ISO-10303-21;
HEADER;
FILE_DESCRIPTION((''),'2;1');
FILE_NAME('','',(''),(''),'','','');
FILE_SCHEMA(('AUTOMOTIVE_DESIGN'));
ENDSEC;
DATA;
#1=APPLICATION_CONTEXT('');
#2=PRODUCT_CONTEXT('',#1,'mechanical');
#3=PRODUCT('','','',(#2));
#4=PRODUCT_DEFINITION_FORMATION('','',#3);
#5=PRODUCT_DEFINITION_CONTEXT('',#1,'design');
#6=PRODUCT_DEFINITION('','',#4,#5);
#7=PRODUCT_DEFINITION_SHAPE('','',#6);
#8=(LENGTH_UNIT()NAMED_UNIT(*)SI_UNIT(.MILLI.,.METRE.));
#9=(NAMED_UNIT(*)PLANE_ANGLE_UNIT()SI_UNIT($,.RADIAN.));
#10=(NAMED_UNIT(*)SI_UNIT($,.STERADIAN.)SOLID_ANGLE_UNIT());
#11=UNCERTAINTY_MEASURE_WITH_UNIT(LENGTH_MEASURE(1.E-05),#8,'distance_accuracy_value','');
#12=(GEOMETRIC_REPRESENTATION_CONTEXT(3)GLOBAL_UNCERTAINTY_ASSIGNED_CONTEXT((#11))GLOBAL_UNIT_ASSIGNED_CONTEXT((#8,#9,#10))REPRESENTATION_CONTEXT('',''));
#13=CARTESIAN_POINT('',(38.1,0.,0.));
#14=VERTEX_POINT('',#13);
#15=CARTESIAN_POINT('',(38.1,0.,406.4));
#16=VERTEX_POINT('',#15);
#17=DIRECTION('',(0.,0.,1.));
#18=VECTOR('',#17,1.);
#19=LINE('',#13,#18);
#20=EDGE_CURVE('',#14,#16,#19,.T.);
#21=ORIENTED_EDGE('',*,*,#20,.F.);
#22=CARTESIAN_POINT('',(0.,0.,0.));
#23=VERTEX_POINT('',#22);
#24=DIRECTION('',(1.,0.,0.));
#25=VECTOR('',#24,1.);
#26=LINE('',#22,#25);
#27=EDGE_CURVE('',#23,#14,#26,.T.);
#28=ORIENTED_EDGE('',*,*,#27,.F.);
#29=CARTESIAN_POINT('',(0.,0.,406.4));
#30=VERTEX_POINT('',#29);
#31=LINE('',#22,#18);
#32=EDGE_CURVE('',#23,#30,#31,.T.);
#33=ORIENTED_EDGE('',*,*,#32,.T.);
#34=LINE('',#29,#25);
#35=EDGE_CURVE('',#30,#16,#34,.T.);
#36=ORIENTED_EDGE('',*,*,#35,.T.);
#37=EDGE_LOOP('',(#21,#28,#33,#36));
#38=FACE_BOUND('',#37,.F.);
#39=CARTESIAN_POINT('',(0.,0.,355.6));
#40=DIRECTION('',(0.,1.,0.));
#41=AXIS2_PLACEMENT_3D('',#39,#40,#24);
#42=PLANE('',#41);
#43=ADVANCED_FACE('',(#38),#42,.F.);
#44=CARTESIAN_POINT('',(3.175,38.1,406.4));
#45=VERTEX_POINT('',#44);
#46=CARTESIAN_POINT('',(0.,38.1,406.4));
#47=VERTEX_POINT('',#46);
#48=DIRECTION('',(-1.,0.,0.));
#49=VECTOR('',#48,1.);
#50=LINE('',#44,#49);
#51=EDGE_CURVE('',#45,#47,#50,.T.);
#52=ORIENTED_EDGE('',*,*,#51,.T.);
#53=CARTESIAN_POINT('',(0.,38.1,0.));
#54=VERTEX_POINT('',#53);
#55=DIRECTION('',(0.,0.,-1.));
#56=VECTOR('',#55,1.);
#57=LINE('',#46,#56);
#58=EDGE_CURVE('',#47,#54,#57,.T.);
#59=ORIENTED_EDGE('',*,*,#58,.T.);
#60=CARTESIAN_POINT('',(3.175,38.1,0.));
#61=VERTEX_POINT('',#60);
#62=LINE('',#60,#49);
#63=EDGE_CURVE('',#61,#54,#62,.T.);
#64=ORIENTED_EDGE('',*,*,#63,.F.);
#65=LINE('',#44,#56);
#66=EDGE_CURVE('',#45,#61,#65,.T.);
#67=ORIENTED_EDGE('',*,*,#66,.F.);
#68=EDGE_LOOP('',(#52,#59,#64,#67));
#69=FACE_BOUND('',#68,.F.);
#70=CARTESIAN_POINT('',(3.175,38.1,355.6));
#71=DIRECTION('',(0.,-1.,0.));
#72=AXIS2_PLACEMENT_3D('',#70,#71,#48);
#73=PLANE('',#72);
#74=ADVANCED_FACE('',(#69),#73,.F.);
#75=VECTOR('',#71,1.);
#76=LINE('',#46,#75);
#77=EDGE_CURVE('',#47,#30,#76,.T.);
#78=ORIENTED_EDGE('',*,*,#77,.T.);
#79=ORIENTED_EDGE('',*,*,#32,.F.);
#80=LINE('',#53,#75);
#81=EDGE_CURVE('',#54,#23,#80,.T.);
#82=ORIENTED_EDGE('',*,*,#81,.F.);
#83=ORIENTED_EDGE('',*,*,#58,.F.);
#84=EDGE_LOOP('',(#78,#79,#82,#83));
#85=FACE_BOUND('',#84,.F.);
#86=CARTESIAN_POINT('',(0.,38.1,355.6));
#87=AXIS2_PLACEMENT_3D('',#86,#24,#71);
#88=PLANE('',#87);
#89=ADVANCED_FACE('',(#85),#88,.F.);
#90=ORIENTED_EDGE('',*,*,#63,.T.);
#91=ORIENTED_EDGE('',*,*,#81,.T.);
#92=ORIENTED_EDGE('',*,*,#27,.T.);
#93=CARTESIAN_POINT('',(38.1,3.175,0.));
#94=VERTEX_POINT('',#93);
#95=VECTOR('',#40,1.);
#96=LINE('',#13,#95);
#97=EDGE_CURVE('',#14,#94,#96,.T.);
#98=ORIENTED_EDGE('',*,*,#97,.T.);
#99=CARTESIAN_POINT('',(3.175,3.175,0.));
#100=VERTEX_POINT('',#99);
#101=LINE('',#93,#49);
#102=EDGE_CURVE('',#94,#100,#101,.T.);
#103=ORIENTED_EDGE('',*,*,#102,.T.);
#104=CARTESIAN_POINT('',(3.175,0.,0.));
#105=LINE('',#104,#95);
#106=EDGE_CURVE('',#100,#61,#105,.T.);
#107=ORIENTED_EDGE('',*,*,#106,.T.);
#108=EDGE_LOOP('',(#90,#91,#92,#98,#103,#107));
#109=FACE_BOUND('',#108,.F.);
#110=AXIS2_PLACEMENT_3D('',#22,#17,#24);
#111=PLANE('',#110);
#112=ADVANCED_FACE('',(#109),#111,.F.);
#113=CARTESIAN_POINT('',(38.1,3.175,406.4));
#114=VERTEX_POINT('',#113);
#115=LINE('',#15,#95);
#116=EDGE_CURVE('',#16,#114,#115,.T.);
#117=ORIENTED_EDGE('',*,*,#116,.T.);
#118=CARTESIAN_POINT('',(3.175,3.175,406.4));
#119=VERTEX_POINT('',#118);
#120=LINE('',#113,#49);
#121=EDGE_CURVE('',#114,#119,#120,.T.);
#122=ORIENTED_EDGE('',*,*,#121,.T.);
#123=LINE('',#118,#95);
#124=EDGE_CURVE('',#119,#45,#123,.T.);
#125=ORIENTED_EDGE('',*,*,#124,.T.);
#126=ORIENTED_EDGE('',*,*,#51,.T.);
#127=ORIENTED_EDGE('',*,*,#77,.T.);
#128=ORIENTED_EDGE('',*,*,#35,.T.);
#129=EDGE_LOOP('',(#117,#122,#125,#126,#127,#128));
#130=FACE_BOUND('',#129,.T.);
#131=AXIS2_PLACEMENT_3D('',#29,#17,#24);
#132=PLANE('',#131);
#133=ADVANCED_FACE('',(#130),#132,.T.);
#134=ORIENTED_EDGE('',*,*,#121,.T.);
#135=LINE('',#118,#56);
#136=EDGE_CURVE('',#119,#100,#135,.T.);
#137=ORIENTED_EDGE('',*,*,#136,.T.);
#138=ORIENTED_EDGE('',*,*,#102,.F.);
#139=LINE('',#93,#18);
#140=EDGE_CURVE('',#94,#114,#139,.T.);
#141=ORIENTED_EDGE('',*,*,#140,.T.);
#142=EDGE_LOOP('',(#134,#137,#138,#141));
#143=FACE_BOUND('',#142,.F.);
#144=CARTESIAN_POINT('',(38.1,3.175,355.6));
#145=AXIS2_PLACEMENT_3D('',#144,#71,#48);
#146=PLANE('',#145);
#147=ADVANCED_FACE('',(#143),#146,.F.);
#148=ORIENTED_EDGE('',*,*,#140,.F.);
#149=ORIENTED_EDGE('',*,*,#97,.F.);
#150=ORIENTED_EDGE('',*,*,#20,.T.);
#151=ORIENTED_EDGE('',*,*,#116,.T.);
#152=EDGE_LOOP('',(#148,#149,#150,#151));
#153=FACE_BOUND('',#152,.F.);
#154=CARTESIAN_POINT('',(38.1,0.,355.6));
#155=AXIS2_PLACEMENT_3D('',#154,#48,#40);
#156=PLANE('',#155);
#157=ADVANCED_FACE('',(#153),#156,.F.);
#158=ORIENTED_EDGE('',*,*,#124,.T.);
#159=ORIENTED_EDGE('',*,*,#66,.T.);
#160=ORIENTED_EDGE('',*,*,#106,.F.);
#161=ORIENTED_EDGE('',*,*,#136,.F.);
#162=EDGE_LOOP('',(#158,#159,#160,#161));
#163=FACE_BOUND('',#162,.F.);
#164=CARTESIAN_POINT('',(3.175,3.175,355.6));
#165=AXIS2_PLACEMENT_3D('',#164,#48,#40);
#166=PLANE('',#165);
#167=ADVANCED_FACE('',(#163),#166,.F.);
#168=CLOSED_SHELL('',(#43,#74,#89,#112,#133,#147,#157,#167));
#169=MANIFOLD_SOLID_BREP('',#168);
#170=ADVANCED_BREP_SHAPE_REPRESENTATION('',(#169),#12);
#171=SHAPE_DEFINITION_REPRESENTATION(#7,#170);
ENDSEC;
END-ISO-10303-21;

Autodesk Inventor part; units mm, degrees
ref_plane "YZ Plane" through (0, 0, 0) normal (1, 0, 0) x (0, 1, 0)
ref_plane "XZ Plane" through (0, 0, 0) normal (0, 1, 0) x (-1, 0, 0)
ref_plane "XY Plane" through (0, 0, 0) normal (0, 0, 1) x (1, 0, 0)
sketch "Sketch1" plane through (0, 0, 0) normal (0, 0, 1) x (1, 0, 0)
  line L0 (0, 0) -> (38.1, 0)
  line L1 (38.1, 0) -> (38.1, 3.175)
  line L2 (38.1, 3.175) -> (0, 3.175)
  line L3 (0, 3.175) -> (0, 0)
  dimension "d0" = 38.1
  dimension "d1" = 3.175
extrude "Extrusion1" add sketch "Sketch1" along normal blind 355.6
sketch "Sketch2" plane through (0, 0, 355.6) normal (0, 0, 1) x (1, 0, 0)
  line L0 (0, 0) -> (3.175, 0)
  line L1 (3.175, 0) -> (3.175, 38.1)
  line L2 (3.175, 38.1) -> (0, 38.1)
  line L3 (0, 38.1) -> (0, 0)
  dimension "d4" = 3.175
  dimension "d5" = 38.1
extrude "Extrusion2" add sketch "Sketch2" against normal blind 355.6
sketch "Sketch3" plane through (0, 0, 355.6) normal (0, 0, 1) x (1, 0, 0)
  line L0 (0, 0) -> (38.1, 0)
  line L1 (38.1, 0) -> (38.1, 3.175)
  line L2 (38.1, 3.175) -> (3.175, 3.175)
  line L3 (38.1, 3.175) -> (3.175, 3.175) projected
  line L4 (3.175, 3.175) -> (3.175, 38.1)
  line L5 (3.175, 38.1) -> (0, 38.1)
  line L6 (0, 38.1) -> (0, 0)
  line L7 (0, 38.1) -> (0, 0) projected
extrude "Extrusion3" add sketch "Sketch3" along normal blind 50.8
properties part number "16in 2inL"
